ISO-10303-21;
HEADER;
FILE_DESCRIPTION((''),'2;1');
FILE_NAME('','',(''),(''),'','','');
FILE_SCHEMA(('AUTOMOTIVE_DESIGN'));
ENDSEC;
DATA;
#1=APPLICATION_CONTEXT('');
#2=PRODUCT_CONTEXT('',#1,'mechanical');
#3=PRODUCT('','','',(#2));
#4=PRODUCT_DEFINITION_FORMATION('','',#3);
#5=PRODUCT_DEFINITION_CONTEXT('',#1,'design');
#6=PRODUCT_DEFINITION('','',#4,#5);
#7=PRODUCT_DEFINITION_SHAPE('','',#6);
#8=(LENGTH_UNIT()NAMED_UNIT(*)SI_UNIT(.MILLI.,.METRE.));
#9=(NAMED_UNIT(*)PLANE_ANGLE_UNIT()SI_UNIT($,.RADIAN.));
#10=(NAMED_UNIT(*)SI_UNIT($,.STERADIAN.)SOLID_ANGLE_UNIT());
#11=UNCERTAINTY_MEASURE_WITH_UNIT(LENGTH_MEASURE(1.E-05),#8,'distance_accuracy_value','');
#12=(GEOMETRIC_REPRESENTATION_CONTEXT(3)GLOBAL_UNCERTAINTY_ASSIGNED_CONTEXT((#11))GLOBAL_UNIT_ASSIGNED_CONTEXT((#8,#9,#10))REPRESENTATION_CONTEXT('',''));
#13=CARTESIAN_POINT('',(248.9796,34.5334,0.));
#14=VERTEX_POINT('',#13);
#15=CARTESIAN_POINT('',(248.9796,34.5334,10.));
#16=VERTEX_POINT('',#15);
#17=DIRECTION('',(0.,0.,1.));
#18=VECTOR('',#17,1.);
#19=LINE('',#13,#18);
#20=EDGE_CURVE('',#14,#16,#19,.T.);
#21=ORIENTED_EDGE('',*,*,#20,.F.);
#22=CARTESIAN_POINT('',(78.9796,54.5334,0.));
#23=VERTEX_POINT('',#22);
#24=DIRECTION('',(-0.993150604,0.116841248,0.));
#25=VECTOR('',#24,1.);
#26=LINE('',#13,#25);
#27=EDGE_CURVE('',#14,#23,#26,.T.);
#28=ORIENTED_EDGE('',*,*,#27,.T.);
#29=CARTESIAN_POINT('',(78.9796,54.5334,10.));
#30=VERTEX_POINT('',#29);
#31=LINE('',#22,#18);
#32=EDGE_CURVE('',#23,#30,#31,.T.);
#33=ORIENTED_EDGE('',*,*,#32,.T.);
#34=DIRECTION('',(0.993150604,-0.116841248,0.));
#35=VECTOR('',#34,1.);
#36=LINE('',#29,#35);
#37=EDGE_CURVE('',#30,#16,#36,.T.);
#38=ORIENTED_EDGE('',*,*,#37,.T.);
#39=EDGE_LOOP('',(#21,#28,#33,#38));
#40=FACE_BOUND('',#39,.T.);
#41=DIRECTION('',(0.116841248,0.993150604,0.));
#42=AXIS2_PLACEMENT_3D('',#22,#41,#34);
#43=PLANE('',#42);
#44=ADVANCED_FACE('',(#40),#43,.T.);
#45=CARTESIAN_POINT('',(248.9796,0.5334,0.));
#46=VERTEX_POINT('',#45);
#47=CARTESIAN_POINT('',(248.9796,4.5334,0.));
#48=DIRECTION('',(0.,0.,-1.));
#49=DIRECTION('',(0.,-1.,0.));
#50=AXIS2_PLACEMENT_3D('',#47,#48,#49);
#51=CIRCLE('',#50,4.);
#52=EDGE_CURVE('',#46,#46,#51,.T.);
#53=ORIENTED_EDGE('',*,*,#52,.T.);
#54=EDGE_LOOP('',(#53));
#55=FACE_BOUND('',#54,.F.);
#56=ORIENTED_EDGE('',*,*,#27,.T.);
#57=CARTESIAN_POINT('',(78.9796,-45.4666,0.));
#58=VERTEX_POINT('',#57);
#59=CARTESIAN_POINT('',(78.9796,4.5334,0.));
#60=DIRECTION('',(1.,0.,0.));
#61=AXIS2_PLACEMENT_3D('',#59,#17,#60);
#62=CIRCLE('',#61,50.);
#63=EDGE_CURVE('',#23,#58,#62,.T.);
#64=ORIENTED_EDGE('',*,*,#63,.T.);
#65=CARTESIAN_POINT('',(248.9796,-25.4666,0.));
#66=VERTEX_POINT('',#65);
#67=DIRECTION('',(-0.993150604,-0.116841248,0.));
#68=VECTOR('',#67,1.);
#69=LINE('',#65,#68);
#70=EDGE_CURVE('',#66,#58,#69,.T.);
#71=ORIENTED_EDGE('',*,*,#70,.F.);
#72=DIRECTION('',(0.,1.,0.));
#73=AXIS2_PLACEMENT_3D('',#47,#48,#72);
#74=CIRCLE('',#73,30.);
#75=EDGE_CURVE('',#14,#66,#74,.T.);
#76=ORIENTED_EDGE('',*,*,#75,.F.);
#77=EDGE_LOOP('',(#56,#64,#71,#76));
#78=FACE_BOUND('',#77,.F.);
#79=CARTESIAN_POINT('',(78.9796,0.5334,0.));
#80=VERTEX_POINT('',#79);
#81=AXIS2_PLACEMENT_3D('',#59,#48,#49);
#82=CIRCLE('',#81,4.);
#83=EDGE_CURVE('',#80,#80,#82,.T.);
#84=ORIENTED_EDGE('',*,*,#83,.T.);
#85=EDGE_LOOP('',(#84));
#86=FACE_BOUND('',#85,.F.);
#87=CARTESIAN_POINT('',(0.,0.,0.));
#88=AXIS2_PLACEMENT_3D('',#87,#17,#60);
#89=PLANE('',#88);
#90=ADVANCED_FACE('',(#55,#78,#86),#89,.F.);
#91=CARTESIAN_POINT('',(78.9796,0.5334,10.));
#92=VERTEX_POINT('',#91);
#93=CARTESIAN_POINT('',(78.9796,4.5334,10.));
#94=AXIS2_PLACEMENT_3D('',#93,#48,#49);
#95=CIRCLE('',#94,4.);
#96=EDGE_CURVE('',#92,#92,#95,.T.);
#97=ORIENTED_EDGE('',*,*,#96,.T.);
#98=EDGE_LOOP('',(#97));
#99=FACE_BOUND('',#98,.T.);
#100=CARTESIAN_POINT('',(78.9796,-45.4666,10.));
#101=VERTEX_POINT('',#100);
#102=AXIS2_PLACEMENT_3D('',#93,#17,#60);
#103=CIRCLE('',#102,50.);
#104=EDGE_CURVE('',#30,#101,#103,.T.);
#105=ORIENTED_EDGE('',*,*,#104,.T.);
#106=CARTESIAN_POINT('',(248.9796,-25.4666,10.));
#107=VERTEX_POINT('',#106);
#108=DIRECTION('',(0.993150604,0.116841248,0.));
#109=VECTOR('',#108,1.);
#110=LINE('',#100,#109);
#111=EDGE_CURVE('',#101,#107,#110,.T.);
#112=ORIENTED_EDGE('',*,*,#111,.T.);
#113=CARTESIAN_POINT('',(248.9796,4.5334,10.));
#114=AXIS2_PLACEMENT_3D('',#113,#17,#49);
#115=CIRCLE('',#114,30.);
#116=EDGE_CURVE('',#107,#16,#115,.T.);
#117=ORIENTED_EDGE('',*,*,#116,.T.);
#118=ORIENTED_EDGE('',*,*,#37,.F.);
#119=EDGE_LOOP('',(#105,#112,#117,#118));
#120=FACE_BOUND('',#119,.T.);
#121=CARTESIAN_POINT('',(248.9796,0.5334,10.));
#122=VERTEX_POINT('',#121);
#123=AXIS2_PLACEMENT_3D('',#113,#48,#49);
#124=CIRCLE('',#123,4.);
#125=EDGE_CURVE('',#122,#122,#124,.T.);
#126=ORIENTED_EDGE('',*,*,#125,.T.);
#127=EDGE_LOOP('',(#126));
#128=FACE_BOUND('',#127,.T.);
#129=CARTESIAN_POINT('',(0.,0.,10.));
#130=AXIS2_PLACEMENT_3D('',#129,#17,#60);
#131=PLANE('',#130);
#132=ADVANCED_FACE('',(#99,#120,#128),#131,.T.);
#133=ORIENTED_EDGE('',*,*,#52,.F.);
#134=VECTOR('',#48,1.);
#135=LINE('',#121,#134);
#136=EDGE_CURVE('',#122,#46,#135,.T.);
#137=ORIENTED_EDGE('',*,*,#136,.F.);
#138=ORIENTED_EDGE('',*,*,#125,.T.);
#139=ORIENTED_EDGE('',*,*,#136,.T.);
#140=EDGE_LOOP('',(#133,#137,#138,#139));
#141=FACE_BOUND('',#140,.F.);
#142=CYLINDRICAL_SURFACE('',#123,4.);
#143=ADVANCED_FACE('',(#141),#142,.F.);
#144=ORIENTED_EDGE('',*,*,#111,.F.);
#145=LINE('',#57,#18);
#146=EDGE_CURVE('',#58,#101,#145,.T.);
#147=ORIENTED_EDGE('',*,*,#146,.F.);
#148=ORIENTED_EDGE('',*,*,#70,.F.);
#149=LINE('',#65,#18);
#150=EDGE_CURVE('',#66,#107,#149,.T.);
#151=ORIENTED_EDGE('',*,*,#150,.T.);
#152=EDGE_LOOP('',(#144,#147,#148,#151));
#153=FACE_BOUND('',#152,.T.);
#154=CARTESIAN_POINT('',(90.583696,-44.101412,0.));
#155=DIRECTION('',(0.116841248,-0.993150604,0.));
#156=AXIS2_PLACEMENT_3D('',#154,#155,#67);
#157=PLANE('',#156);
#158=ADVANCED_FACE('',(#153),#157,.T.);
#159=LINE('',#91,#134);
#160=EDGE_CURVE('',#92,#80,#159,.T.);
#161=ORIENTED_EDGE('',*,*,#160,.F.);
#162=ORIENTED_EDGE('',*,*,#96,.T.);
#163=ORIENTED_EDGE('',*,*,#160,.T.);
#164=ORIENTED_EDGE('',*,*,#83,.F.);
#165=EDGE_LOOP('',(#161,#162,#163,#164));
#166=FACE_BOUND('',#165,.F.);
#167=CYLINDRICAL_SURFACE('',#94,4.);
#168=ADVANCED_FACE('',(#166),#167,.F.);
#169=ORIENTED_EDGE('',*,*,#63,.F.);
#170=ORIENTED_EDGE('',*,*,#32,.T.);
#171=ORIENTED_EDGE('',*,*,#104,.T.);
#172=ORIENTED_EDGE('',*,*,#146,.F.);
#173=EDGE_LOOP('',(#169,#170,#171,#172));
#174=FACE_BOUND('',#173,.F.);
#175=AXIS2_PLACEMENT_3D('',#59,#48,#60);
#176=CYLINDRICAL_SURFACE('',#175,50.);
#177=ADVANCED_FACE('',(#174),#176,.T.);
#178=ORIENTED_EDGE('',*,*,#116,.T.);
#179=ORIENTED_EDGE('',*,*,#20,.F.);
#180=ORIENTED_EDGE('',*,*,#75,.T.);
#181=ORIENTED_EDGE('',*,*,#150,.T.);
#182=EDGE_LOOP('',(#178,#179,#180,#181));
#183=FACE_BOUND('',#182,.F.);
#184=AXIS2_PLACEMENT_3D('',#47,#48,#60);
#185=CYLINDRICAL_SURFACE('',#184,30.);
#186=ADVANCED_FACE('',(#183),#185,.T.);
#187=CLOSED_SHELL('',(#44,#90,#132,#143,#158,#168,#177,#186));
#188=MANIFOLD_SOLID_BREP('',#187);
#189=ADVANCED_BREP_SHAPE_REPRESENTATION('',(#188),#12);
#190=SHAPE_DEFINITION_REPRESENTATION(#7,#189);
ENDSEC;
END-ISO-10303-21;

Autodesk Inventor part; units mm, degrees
ref_plane "YZ Plane" through (0, 0, 0) normal (1, 0, 0) x (0, 1, 0)
ref_plane "XZ Plane" through (0, 0, 0) normal (0, 1, 0) x (-1, 0, 0)
ref_plane "XY Plane" through (0, 0, 0) normal (0, 0, 1) x (1, 0, 0)
sketch "Sketch1" plane through (0, 0, 0) normal (0, 0, 1) x (1, 0, 0)
  circle A0 centre (78.9796, 4.5334) radius 50
  circle A1 centre (248.9796, 4.5334) radius 30
  line L0 (78.9796, 54.5334) -> (248.9796, 34.5334)
  line L1 (248.9796, -25.4666) -> (78.9796, -45.4666)
  dimension "d25" = 170
  dimension "d26" = 100
  dimension "d27" = 60
  dimension "d28" = 0
extrude "Extrusion1" add sketch "Sketch1" along normal blind 10 contours L0 A0 L1 | L0 A1 L1 A0 | A1
sketch "Sketch2" plane through (0, 0, 10) normal (0, 0, 1) x (1, 0, 0)
  arc A0 (248.9796, -25.4666) -> (248.9796, 34.5334) centre (248.9796, 4.5334) ccw projected
  arc A1 (78.9796, 54.5334) -> (78.9796, -45.4666) centre (78.9796, 4.5334) ccw projected
hole "Hole1" at (78.9796, 4.5334, 10) at (248.9796, 4.5334, 10) direction (0, 0, -1) diameter 8 end through all
properties part number "short arm"
